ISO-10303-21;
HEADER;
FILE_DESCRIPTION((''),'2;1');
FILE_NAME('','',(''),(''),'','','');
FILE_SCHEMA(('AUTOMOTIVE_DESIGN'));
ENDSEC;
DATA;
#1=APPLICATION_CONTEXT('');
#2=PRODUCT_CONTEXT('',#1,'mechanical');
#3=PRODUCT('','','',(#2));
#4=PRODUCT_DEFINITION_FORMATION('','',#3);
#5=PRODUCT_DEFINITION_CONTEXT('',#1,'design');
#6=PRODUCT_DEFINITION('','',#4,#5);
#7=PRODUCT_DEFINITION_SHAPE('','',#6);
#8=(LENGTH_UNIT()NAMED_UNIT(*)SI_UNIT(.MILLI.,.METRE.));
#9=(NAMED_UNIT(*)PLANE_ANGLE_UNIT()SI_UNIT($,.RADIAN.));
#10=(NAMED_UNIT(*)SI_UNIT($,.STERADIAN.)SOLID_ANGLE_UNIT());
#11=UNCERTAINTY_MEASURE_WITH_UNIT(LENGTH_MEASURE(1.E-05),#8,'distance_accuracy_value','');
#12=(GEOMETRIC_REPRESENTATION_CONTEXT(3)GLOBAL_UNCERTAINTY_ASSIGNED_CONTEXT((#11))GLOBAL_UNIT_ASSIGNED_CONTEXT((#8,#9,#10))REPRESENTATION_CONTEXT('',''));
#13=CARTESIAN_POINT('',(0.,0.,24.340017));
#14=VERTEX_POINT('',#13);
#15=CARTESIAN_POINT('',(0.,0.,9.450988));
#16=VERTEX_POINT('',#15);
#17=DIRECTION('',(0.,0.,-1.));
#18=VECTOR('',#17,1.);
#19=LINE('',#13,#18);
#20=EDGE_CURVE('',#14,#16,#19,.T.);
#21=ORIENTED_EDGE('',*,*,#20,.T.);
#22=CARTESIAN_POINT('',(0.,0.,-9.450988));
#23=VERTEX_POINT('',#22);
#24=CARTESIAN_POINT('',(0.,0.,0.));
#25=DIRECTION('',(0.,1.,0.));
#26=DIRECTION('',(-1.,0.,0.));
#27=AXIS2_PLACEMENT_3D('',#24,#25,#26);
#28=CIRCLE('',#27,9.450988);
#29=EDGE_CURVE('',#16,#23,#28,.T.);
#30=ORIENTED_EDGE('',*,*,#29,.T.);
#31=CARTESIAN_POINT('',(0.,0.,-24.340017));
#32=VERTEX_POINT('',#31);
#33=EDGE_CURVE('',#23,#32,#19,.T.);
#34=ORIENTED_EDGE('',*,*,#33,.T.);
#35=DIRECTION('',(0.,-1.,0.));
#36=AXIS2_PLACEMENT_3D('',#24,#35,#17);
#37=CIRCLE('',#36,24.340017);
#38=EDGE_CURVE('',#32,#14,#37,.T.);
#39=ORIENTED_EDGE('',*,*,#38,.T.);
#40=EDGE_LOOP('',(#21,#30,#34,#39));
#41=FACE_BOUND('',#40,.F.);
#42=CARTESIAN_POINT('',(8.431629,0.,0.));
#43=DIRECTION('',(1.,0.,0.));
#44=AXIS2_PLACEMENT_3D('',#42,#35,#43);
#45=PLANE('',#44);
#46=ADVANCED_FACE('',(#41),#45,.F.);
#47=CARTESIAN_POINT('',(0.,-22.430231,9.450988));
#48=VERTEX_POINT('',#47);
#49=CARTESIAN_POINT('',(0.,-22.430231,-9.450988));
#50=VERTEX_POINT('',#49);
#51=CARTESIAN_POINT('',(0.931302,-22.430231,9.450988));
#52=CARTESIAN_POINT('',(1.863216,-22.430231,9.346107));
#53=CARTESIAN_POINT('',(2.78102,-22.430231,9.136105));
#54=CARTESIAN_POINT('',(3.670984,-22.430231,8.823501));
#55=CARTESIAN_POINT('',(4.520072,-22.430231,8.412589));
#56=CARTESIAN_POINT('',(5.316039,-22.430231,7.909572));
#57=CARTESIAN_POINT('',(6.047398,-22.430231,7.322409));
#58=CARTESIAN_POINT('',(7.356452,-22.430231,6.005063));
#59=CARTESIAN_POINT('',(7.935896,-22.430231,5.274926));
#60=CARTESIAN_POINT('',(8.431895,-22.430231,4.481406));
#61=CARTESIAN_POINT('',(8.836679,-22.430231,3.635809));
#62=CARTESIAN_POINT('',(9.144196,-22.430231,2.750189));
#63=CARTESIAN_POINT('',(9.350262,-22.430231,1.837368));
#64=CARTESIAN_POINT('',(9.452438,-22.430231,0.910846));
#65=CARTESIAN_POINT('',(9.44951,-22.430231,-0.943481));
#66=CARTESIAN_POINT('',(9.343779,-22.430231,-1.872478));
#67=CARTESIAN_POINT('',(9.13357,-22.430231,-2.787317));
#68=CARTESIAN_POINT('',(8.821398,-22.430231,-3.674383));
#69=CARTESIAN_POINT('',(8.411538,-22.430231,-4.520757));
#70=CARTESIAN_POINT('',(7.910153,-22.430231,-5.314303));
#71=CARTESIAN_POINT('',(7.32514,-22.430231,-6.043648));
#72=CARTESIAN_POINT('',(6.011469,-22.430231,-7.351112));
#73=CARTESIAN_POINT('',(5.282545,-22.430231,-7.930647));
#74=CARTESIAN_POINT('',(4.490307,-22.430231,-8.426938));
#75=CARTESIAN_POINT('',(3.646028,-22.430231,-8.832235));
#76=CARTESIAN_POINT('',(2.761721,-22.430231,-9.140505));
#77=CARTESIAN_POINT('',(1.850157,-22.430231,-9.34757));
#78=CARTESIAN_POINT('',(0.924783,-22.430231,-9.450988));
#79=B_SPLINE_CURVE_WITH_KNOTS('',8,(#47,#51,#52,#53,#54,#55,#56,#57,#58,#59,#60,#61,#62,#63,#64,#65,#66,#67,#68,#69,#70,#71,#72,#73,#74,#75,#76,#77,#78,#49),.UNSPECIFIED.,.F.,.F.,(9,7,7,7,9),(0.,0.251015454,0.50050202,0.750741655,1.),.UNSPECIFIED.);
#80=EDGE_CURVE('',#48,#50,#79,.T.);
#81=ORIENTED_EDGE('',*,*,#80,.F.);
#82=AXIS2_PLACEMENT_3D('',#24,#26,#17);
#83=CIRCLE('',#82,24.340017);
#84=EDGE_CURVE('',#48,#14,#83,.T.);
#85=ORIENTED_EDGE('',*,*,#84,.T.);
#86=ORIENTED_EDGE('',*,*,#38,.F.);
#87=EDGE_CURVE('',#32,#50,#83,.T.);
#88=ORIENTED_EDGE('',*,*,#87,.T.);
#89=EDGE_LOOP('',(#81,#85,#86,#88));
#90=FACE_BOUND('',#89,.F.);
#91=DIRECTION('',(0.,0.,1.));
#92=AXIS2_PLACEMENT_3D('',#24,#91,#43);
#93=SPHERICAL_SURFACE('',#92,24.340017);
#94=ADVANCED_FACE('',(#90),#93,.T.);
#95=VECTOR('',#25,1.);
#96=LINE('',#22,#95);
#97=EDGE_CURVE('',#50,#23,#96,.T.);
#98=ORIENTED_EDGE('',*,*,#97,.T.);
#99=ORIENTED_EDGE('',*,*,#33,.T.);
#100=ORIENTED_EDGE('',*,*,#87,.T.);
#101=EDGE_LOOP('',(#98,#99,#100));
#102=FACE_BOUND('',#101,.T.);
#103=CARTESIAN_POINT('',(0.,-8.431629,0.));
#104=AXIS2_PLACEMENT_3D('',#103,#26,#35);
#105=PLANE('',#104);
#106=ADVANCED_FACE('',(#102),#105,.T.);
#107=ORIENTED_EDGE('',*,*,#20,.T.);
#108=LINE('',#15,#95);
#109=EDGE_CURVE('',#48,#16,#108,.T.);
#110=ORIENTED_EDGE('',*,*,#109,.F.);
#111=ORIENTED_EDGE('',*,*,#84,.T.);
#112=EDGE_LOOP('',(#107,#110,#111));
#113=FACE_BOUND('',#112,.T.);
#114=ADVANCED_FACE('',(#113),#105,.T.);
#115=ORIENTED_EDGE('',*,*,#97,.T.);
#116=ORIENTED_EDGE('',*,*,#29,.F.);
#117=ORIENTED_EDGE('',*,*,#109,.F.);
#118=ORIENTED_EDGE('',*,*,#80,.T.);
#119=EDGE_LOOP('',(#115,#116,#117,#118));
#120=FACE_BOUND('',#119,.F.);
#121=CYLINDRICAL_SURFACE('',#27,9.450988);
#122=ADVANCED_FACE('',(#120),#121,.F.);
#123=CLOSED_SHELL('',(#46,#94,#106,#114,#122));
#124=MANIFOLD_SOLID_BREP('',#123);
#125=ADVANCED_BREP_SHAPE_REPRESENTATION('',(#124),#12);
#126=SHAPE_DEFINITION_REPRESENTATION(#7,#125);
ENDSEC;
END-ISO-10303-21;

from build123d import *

# Parameters (mm, degrees)
F1_ANGLE = 90
F2_R     = 9.450988
F3_DEPTH = 24.341017


with BuildPart() as f1:
    # F0 (on Front) → F1 (revolve)
    with BuildSketch(Plane.XZ):
        with BuildLine():
            ThreePointArc((0, -24.340017), (24.340017, 0), (0, 24.340017))
            Line((0, 24.340017), (0, -24.340017))
        make_face()
    revolve(axis=Axis((0, 0, 0), (0, 0, -1)), revolution_arc=F1_ANGLE)

    # F2 (on face) → F3 (cut, through all)
    with BuildSketch(Plane(origin=(0, 0, 0), x_dir=(-1, 0, 0), z_dir=(0, 1, 0))):
        Circle(F2_R)
    extrude(amount=-F3_DEPTH, mode=Mode.SUBTRACT)


solid = f1.part
